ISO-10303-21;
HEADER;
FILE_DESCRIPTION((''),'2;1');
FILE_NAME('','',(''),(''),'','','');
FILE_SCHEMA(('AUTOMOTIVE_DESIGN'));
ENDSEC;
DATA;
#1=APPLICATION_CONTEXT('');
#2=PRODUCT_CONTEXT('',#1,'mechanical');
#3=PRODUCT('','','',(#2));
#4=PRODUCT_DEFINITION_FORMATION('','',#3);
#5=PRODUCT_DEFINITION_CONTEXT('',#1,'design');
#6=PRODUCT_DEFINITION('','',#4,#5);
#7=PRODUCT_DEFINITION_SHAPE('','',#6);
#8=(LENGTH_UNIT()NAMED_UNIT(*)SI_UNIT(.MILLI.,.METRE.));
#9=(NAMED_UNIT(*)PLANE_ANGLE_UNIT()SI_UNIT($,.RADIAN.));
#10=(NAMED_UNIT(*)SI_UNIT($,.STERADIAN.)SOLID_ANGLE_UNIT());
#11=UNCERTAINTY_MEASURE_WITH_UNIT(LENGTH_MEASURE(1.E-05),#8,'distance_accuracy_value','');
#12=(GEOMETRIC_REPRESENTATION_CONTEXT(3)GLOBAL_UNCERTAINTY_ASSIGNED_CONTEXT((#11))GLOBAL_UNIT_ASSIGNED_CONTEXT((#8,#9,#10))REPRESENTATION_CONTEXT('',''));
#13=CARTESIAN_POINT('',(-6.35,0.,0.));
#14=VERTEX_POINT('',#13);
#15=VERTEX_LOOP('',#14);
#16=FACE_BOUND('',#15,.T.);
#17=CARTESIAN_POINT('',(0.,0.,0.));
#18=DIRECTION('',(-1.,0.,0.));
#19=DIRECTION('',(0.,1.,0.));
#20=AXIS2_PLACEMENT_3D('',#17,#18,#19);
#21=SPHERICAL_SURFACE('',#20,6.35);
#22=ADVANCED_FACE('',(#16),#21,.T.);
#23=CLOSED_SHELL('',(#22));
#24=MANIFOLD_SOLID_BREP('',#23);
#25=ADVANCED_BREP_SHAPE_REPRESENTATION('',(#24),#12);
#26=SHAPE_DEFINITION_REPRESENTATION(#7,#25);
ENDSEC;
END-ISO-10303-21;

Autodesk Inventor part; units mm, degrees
ref_plane "YZ Plane" through (0, 0, 0) normal (1, 0, 0) x (0, 1, 0)
ref_plane "XZ Plane" through (0, 0, 0) normal (0, 1, 0) x (-1, 0, 0)
ref_plane "XY Plane" through (0, 0, 0) normal (0, 0, 1) x (1, 0, 0)
sketch "草图1" plane through (0, 0, 0) normal (0, 0, 1) x (1, 0, 0)
  arc A0 (6.35, 0) -> (-6.35, 0) centre (0, 0) ccw
  line L0 (6.35, 0) -> (-6.35, 0)
  dimension "d0" = 12.7
revolve "旋转1" add sketch "草图1" angle 360 about axis through (6.35, 0, 0) along (-1, 0, 0)
properties part number "钢珠" material "钢，合金"
